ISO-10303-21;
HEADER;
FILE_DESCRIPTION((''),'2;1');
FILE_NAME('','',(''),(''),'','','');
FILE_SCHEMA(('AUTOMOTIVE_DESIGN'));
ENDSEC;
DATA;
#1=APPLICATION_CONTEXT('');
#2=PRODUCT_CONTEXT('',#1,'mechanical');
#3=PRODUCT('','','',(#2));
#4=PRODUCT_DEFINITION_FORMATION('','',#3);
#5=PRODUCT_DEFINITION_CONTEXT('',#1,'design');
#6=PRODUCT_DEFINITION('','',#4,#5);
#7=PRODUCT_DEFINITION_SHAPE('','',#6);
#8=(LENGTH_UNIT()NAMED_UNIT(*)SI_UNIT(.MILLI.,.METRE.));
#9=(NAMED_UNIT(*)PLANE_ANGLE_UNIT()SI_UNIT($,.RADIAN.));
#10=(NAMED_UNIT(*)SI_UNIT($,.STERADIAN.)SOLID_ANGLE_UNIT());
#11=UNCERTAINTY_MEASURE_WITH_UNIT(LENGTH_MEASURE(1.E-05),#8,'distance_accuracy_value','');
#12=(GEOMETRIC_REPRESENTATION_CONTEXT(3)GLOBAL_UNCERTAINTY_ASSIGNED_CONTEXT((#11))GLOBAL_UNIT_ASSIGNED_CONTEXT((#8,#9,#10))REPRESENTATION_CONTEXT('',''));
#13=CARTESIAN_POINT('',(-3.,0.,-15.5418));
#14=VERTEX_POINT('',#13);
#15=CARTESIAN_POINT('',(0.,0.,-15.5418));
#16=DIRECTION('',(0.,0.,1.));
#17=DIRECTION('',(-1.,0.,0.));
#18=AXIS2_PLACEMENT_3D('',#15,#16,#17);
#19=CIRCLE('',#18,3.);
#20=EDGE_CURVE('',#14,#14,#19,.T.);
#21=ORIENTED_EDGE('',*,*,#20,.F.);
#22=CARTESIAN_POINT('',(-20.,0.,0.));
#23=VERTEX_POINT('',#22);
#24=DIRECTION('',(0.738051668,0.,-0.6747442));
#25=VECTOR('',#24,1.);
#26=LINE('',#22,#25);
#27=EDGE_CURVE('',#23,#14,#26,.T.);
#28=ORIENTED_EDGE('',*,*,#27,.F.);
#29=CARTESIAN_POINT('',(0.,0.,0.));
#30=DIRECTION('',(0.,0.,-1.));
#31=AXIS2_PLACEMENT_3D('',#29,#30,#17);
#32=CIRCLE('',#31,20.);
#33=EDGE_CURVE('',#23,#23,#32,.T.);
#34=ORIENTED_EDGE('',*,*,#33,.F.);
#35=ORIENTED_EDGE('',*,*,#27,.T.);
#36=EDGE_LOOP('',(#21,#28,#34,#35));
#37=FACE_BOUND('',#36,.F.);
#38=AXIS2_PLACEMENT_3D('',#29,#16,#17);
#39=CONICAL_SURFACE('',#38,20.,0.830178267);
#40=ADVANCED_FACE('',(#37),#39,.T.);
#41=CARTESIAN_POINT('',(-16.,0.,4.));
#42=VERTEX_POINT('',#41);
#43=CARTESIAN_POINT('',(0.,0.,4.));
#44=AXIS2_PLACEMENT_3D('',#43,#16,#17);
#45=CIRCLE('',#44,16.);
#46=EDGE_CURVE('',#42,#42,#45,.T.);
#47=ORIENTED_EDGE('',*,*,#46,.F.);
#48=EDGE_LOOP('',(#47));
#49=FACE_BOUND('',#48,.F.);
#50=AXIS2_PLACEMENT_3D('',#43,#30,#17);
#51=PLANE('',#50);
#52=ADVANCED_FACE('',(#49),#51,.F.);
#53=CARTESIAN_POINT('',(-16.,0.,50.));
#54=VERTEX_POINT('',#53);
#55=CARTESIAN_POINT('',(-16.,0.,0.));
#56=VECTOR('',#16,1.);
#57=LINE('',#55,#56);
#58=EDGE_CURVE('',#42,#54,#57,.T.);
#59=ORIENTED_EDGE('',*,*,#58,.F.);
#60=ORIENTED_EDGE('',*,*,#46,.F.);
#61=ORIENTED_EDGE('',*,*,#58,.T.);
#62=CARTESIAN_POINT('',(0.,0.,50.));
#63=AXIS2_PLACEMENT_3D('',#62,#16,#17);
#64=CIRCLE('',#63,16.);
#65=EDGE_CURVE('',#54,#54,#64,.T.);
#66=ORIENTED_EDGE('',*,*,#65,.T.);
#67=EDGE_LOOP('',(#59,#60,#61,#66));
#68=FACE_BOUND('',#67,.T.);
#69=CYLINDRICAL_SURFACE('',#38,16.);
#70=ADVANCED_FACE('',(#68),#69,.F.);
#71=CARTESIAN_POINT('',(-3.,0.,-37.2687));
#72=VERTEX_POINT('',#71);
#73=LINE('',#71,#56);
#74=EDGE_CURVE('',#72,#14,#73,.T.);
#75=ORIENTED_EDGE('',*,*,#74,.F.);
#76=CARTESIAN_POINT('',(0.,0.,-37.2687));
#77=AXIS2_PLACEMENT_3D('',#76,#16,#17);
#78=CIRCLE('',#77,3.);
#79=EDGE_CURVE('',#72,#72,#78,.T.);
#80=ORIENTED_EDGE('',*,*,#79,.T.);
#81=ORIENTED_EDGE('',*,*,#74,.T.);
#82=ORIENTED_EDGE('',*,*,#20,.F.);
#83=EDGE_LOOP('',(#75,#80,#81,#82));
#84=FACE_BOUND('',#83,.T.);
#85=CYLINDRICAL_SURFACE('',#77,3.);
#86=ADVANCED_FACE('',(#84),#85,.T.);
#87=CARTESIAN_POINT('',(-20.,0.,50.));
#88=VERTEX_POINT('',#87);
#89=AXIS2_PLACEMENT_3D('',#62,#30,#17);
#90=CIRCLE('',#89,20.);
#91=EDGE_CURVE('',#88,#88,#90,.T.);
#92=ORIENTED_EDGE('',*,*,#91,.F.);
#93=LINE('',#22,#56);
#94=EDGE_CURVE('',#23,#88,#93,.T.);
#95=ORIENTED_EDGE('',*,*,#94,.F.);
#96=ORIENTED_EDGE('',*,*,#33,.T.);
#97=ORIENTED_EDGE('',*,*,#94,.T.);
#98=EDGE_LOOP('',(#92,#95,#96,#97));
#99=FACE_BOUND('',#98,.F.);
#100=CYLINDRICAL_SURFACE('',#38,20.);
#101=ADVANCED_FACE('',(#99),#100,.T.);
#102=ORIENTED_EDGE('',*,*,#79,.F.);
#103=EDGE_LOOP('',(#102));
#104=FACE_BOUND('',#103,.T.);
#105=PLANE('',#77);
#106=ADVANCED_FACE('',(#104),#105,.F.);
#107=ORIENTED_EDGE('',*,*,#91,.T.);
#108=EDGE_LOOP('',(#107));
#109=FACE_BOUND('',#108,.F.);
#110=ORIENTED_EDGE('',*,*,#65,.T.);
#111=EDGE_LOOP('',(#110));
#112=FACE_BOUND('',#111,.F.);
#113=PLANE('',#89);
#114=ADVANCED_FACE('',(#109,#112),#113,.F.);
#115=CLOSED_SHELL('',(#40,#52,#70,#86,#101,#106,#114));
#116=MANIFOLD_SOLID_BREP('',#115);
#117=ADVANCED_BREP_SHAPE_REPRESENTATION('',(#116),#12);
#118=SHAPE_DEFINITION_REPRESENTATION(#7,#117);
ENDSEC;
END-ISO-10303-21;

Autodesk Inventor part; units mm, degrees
ref_plane "YZ Plane" through (0, 0, 0) normal (1, 0, 0) x (0, 1, 0)
ref_plane "XZ Plane" through (0, 0, 0) normal (0, 1, 0) x (-1, 0, 0)
ref_plane "XY Plane" through (0, 0, 0) normal (0, 0, 1) x (1, 0, 0)
sketch "スケッチ1" plane through (0, 0, 0) normal (0, 1, 0) x (-1, 0, 0)
  line L0 (0, 0) -> (20, 0) construction
  line L1 (20, 0) -> (20, 50)
  line L2 (20, 50) -> (0, 50)
  line L3 (20, 0) -> (0, 0)
  line L4 (0, 50) -> (0, 0)
  dimension "d4" = 50
  dimension "d12" = 20
revolve "回転1" add sketch "スケッチ1" angle 360 about axis through (0, 0, 50) along (0, 0, -1)
shell "シェル1" thickness 4 removed faces 1 at (-2.364, 6.2334, 50)
sketch "スケッチ2" plane through (0, 0, 0) normal (0, 1, 0) x (-1, 0, 0)
  line L0 (-20, 0) -> (20, 0) projected
  line L1 (0, -17.2687) -> (0, 0)
  line L2 (0, 0) -> (20, 0)
  line L3 (0, -17.2687) -> (0, -37.2687)
  line L4 (0, -37.2687) -> (3, -37.2687)
  line L5 (3, -37.2687) -> (3, -15.5418)
  line L6 (20, 0) -> (3, -15.5418)
  dimension "d9" = 20
  dimension "d10" = 3
revolve "回転2" add sketch "スケッチ2" angle 360 about axis through (0, 0, -17.2687) along (0, 0, 1)
properties part number "promo1"
